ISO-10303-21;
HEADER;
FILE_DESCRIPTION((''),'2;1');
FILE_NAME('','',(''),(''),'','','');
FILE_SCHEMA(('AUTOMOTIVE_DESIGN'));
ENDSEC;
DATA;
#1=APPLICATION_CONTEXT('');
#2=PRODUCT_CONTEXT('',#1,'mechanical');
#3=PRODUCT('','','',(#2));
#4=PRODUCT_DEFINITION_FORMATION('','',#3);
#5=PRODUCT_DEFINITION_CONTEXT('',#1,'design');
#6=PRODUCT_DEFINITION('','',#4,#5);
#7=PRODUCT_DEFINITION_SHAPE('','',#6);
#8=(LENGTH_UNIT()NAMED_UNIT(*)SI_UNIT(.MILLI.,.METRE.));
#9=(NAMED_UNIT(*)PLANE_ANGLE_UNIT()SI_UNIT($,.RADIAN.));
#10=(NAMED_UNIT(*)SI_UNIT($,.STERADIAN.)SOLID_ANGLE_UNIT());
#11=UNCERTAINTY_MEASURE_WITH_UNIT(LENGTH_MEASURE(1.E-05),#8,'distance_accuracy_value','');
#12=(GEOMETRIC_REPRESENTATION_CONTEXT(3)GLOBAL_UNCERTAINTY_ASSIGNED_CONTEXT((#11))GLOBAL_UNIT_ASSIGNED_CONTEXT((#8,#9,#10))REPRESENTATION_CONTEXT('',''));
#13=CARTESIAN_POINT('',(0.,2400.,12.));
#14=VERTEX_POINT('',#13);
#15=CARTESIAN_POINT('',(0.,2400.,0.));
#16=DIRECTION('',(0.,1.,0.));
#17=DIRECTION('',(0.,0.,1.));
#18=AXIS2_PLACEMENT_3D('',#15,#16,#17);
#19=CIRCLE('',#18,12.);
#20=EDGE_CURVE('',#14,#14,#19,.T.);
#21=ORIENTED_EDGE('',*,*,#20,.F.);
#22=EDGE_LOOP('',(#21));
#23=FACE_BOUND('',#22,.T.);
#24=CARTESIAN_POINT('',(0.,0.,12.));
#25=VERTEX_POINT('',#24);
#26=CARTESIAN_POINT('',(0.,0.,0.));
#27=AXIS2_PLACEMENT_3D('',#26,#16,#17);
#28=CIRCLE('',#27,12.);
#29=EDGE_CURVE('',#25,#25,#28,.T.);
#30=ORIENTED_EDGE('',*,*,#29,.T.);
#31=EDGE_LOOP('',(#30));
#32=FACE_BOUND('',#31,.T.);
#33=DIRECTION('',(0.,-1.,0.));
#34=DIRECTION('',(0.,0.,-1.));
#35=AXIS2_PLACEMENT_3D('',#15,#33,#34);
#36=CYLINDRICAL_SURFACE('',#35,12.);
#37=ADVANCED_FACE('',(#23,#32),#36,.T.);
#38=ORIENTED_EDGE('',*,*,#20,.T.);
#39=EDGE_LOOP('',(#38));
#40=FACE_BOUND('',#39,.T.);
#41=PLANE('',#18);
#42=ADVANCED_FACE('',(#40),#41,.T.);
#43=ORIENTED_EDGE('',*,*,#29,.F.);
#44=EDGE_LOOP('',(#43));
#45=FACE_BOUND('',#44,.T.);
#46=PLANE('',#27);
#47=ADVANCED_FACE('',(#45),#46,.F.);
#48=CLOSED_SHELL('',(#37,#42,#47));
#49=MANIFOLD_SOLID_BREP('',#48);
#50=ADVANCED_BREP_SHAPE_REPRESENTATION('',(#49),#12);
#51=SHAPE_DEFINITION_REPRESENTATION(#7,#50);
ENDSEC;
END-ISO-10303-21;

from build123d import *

# Parameters (mm, degrees)
SKETCH3_R           = 12
BOSS_EXTRUDE1_DEPTH = 2400


with BuildPart() as part:
    # Sketch3 → Boss-Extrude1 (new body)
    with BuildSketch(Plane(origin=(0, 0, 0), x_dir=(1, 0, 0), z_dir=(0, 1, 0))):
        Circle(SKETCH3_R)
    extrude(amount=BOSS_EXTRUDE1_DEPTH)


solid = part.part
